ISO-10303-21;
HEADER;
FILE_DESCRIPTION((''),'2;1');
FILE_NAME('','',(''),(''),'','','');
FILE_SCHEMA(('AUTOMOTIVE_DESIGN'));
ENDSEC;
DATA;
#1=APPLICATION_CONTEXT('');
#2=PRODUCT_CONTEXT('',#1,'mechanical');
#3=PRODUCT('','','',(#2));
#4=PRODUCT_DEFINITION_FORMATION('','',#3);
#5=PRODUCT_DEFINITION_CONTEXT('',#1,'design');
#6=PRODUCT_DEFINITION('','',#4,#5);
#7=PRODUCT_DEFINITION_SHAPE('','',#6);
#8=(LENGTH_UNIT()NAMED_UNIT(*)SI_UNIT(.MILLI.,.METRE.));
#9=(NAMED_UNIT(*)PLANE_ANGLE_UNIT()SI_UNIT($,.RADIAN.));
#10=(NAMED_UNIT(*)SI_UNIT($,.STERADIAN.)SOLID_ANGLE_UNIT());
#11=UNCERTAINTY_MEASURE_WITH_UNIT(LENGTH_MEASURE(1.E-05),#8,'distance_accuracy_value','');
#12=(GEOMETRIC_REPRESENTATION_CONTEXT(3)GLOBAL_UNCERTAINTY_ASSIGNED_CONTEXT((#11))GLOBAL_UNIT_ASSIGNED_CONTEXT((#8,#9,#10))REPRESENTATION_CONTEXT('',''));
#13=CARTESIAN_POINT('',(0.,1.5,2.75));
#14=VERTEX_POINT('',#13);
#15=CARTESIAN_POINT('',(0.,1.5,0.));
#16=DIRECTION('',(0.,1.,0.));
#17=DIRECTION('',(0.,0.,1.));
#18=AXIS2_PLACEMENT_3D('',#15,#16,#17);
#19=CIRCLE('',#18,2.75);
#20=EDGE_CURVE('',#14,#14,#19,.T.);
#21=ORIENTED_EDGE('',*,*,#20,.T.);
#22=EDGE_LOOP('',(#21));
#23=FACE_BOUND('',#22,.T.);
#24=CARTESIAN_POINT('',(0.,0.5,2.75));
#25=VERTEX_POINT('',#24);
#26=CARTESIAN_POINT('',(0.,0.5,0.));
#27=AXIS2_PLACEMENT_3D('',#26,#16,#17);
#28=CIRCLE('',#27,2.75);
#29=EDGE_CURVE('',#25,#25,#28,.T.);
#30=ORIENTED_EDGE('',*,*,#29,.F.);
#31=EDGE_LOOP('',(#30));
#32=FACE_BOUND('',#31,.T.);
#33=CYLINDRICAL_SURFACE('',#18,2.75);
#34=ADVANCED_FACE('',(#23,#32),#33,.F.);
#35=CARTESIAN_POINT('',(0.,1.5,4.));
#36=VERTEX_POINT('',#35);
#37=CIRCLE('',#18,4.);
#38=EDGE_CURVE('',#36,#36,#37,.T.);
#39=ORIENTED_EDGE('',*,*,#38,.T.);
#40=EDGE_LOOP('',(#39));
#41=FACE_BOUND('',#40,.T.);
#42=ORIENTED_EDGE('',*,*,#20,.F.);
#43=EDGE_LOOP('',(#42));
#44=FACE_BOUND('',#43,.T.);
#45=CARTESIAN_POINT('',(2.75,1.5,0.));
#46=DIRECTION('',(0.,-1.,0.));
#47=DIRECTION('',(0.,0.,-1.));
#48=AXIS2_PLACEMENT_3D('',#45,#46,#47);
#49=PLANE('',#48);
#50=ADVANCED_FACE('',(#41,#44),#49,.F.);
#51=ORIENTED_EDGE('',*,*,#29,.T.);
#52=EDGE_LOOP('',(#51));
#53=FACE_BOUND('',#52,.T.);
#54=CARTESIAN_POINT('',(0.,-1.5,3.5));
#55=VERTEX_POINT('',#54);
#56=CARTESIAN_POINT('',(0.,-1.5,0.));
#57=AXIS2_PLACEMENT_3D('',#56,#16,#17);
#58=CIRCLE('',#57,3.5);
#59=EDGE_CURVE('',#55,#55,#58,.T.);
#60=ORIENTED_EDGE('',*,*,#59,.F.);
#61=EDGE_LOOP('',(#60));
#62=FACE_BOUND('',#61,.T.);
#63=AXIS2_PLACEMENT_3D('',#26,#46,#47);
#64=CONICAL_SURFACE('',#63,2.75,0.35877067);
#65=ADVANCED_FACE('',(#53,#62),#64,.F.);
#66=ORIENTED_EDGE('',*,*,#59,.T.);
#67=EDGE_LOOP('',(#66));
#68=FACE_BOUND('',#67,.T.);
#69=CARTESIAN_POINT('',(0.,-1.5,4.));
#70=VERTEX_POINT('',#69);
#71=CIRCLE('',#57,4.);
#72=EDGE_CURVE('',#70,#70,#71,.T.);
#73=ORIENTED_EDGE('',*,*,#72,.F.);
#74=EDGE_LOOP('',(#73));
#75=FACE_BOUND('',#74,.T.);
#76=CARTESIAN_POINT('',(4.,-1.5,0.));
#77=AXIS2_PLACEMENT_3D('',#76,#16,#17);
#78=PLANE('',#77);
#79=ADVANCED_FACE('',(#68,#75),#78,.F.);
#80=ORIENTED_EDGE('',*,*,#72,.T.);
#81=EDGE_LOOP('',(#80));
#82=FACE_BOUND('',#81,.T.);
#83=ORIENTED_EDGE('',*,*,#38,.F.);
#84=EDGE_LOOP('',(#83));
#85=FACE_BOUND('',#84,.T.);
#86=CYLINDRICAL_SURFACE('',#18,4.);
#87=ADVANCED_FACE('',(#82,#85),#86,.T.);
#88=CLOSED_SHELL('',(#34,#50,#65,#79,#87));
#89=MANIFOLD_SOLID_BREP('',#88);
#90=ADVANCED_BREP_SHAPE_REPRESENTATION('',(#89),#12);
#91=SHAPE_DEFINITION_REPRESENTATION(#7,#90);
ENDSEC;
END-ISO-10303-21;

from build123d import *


with BuildPart() as part:
    # Sketch1 → Revolve1 (revolve)
    with BuildSketch(Plane.XY):
        Polygon((4, 1.5), (4, -1.5), (3.5, -1.5), (2.75, 0.5), (2.75, 1.5), align=None)
    revolve(axis=Axis((0, 1.5, 0), (0, -1, 0)))


solid = part.part
